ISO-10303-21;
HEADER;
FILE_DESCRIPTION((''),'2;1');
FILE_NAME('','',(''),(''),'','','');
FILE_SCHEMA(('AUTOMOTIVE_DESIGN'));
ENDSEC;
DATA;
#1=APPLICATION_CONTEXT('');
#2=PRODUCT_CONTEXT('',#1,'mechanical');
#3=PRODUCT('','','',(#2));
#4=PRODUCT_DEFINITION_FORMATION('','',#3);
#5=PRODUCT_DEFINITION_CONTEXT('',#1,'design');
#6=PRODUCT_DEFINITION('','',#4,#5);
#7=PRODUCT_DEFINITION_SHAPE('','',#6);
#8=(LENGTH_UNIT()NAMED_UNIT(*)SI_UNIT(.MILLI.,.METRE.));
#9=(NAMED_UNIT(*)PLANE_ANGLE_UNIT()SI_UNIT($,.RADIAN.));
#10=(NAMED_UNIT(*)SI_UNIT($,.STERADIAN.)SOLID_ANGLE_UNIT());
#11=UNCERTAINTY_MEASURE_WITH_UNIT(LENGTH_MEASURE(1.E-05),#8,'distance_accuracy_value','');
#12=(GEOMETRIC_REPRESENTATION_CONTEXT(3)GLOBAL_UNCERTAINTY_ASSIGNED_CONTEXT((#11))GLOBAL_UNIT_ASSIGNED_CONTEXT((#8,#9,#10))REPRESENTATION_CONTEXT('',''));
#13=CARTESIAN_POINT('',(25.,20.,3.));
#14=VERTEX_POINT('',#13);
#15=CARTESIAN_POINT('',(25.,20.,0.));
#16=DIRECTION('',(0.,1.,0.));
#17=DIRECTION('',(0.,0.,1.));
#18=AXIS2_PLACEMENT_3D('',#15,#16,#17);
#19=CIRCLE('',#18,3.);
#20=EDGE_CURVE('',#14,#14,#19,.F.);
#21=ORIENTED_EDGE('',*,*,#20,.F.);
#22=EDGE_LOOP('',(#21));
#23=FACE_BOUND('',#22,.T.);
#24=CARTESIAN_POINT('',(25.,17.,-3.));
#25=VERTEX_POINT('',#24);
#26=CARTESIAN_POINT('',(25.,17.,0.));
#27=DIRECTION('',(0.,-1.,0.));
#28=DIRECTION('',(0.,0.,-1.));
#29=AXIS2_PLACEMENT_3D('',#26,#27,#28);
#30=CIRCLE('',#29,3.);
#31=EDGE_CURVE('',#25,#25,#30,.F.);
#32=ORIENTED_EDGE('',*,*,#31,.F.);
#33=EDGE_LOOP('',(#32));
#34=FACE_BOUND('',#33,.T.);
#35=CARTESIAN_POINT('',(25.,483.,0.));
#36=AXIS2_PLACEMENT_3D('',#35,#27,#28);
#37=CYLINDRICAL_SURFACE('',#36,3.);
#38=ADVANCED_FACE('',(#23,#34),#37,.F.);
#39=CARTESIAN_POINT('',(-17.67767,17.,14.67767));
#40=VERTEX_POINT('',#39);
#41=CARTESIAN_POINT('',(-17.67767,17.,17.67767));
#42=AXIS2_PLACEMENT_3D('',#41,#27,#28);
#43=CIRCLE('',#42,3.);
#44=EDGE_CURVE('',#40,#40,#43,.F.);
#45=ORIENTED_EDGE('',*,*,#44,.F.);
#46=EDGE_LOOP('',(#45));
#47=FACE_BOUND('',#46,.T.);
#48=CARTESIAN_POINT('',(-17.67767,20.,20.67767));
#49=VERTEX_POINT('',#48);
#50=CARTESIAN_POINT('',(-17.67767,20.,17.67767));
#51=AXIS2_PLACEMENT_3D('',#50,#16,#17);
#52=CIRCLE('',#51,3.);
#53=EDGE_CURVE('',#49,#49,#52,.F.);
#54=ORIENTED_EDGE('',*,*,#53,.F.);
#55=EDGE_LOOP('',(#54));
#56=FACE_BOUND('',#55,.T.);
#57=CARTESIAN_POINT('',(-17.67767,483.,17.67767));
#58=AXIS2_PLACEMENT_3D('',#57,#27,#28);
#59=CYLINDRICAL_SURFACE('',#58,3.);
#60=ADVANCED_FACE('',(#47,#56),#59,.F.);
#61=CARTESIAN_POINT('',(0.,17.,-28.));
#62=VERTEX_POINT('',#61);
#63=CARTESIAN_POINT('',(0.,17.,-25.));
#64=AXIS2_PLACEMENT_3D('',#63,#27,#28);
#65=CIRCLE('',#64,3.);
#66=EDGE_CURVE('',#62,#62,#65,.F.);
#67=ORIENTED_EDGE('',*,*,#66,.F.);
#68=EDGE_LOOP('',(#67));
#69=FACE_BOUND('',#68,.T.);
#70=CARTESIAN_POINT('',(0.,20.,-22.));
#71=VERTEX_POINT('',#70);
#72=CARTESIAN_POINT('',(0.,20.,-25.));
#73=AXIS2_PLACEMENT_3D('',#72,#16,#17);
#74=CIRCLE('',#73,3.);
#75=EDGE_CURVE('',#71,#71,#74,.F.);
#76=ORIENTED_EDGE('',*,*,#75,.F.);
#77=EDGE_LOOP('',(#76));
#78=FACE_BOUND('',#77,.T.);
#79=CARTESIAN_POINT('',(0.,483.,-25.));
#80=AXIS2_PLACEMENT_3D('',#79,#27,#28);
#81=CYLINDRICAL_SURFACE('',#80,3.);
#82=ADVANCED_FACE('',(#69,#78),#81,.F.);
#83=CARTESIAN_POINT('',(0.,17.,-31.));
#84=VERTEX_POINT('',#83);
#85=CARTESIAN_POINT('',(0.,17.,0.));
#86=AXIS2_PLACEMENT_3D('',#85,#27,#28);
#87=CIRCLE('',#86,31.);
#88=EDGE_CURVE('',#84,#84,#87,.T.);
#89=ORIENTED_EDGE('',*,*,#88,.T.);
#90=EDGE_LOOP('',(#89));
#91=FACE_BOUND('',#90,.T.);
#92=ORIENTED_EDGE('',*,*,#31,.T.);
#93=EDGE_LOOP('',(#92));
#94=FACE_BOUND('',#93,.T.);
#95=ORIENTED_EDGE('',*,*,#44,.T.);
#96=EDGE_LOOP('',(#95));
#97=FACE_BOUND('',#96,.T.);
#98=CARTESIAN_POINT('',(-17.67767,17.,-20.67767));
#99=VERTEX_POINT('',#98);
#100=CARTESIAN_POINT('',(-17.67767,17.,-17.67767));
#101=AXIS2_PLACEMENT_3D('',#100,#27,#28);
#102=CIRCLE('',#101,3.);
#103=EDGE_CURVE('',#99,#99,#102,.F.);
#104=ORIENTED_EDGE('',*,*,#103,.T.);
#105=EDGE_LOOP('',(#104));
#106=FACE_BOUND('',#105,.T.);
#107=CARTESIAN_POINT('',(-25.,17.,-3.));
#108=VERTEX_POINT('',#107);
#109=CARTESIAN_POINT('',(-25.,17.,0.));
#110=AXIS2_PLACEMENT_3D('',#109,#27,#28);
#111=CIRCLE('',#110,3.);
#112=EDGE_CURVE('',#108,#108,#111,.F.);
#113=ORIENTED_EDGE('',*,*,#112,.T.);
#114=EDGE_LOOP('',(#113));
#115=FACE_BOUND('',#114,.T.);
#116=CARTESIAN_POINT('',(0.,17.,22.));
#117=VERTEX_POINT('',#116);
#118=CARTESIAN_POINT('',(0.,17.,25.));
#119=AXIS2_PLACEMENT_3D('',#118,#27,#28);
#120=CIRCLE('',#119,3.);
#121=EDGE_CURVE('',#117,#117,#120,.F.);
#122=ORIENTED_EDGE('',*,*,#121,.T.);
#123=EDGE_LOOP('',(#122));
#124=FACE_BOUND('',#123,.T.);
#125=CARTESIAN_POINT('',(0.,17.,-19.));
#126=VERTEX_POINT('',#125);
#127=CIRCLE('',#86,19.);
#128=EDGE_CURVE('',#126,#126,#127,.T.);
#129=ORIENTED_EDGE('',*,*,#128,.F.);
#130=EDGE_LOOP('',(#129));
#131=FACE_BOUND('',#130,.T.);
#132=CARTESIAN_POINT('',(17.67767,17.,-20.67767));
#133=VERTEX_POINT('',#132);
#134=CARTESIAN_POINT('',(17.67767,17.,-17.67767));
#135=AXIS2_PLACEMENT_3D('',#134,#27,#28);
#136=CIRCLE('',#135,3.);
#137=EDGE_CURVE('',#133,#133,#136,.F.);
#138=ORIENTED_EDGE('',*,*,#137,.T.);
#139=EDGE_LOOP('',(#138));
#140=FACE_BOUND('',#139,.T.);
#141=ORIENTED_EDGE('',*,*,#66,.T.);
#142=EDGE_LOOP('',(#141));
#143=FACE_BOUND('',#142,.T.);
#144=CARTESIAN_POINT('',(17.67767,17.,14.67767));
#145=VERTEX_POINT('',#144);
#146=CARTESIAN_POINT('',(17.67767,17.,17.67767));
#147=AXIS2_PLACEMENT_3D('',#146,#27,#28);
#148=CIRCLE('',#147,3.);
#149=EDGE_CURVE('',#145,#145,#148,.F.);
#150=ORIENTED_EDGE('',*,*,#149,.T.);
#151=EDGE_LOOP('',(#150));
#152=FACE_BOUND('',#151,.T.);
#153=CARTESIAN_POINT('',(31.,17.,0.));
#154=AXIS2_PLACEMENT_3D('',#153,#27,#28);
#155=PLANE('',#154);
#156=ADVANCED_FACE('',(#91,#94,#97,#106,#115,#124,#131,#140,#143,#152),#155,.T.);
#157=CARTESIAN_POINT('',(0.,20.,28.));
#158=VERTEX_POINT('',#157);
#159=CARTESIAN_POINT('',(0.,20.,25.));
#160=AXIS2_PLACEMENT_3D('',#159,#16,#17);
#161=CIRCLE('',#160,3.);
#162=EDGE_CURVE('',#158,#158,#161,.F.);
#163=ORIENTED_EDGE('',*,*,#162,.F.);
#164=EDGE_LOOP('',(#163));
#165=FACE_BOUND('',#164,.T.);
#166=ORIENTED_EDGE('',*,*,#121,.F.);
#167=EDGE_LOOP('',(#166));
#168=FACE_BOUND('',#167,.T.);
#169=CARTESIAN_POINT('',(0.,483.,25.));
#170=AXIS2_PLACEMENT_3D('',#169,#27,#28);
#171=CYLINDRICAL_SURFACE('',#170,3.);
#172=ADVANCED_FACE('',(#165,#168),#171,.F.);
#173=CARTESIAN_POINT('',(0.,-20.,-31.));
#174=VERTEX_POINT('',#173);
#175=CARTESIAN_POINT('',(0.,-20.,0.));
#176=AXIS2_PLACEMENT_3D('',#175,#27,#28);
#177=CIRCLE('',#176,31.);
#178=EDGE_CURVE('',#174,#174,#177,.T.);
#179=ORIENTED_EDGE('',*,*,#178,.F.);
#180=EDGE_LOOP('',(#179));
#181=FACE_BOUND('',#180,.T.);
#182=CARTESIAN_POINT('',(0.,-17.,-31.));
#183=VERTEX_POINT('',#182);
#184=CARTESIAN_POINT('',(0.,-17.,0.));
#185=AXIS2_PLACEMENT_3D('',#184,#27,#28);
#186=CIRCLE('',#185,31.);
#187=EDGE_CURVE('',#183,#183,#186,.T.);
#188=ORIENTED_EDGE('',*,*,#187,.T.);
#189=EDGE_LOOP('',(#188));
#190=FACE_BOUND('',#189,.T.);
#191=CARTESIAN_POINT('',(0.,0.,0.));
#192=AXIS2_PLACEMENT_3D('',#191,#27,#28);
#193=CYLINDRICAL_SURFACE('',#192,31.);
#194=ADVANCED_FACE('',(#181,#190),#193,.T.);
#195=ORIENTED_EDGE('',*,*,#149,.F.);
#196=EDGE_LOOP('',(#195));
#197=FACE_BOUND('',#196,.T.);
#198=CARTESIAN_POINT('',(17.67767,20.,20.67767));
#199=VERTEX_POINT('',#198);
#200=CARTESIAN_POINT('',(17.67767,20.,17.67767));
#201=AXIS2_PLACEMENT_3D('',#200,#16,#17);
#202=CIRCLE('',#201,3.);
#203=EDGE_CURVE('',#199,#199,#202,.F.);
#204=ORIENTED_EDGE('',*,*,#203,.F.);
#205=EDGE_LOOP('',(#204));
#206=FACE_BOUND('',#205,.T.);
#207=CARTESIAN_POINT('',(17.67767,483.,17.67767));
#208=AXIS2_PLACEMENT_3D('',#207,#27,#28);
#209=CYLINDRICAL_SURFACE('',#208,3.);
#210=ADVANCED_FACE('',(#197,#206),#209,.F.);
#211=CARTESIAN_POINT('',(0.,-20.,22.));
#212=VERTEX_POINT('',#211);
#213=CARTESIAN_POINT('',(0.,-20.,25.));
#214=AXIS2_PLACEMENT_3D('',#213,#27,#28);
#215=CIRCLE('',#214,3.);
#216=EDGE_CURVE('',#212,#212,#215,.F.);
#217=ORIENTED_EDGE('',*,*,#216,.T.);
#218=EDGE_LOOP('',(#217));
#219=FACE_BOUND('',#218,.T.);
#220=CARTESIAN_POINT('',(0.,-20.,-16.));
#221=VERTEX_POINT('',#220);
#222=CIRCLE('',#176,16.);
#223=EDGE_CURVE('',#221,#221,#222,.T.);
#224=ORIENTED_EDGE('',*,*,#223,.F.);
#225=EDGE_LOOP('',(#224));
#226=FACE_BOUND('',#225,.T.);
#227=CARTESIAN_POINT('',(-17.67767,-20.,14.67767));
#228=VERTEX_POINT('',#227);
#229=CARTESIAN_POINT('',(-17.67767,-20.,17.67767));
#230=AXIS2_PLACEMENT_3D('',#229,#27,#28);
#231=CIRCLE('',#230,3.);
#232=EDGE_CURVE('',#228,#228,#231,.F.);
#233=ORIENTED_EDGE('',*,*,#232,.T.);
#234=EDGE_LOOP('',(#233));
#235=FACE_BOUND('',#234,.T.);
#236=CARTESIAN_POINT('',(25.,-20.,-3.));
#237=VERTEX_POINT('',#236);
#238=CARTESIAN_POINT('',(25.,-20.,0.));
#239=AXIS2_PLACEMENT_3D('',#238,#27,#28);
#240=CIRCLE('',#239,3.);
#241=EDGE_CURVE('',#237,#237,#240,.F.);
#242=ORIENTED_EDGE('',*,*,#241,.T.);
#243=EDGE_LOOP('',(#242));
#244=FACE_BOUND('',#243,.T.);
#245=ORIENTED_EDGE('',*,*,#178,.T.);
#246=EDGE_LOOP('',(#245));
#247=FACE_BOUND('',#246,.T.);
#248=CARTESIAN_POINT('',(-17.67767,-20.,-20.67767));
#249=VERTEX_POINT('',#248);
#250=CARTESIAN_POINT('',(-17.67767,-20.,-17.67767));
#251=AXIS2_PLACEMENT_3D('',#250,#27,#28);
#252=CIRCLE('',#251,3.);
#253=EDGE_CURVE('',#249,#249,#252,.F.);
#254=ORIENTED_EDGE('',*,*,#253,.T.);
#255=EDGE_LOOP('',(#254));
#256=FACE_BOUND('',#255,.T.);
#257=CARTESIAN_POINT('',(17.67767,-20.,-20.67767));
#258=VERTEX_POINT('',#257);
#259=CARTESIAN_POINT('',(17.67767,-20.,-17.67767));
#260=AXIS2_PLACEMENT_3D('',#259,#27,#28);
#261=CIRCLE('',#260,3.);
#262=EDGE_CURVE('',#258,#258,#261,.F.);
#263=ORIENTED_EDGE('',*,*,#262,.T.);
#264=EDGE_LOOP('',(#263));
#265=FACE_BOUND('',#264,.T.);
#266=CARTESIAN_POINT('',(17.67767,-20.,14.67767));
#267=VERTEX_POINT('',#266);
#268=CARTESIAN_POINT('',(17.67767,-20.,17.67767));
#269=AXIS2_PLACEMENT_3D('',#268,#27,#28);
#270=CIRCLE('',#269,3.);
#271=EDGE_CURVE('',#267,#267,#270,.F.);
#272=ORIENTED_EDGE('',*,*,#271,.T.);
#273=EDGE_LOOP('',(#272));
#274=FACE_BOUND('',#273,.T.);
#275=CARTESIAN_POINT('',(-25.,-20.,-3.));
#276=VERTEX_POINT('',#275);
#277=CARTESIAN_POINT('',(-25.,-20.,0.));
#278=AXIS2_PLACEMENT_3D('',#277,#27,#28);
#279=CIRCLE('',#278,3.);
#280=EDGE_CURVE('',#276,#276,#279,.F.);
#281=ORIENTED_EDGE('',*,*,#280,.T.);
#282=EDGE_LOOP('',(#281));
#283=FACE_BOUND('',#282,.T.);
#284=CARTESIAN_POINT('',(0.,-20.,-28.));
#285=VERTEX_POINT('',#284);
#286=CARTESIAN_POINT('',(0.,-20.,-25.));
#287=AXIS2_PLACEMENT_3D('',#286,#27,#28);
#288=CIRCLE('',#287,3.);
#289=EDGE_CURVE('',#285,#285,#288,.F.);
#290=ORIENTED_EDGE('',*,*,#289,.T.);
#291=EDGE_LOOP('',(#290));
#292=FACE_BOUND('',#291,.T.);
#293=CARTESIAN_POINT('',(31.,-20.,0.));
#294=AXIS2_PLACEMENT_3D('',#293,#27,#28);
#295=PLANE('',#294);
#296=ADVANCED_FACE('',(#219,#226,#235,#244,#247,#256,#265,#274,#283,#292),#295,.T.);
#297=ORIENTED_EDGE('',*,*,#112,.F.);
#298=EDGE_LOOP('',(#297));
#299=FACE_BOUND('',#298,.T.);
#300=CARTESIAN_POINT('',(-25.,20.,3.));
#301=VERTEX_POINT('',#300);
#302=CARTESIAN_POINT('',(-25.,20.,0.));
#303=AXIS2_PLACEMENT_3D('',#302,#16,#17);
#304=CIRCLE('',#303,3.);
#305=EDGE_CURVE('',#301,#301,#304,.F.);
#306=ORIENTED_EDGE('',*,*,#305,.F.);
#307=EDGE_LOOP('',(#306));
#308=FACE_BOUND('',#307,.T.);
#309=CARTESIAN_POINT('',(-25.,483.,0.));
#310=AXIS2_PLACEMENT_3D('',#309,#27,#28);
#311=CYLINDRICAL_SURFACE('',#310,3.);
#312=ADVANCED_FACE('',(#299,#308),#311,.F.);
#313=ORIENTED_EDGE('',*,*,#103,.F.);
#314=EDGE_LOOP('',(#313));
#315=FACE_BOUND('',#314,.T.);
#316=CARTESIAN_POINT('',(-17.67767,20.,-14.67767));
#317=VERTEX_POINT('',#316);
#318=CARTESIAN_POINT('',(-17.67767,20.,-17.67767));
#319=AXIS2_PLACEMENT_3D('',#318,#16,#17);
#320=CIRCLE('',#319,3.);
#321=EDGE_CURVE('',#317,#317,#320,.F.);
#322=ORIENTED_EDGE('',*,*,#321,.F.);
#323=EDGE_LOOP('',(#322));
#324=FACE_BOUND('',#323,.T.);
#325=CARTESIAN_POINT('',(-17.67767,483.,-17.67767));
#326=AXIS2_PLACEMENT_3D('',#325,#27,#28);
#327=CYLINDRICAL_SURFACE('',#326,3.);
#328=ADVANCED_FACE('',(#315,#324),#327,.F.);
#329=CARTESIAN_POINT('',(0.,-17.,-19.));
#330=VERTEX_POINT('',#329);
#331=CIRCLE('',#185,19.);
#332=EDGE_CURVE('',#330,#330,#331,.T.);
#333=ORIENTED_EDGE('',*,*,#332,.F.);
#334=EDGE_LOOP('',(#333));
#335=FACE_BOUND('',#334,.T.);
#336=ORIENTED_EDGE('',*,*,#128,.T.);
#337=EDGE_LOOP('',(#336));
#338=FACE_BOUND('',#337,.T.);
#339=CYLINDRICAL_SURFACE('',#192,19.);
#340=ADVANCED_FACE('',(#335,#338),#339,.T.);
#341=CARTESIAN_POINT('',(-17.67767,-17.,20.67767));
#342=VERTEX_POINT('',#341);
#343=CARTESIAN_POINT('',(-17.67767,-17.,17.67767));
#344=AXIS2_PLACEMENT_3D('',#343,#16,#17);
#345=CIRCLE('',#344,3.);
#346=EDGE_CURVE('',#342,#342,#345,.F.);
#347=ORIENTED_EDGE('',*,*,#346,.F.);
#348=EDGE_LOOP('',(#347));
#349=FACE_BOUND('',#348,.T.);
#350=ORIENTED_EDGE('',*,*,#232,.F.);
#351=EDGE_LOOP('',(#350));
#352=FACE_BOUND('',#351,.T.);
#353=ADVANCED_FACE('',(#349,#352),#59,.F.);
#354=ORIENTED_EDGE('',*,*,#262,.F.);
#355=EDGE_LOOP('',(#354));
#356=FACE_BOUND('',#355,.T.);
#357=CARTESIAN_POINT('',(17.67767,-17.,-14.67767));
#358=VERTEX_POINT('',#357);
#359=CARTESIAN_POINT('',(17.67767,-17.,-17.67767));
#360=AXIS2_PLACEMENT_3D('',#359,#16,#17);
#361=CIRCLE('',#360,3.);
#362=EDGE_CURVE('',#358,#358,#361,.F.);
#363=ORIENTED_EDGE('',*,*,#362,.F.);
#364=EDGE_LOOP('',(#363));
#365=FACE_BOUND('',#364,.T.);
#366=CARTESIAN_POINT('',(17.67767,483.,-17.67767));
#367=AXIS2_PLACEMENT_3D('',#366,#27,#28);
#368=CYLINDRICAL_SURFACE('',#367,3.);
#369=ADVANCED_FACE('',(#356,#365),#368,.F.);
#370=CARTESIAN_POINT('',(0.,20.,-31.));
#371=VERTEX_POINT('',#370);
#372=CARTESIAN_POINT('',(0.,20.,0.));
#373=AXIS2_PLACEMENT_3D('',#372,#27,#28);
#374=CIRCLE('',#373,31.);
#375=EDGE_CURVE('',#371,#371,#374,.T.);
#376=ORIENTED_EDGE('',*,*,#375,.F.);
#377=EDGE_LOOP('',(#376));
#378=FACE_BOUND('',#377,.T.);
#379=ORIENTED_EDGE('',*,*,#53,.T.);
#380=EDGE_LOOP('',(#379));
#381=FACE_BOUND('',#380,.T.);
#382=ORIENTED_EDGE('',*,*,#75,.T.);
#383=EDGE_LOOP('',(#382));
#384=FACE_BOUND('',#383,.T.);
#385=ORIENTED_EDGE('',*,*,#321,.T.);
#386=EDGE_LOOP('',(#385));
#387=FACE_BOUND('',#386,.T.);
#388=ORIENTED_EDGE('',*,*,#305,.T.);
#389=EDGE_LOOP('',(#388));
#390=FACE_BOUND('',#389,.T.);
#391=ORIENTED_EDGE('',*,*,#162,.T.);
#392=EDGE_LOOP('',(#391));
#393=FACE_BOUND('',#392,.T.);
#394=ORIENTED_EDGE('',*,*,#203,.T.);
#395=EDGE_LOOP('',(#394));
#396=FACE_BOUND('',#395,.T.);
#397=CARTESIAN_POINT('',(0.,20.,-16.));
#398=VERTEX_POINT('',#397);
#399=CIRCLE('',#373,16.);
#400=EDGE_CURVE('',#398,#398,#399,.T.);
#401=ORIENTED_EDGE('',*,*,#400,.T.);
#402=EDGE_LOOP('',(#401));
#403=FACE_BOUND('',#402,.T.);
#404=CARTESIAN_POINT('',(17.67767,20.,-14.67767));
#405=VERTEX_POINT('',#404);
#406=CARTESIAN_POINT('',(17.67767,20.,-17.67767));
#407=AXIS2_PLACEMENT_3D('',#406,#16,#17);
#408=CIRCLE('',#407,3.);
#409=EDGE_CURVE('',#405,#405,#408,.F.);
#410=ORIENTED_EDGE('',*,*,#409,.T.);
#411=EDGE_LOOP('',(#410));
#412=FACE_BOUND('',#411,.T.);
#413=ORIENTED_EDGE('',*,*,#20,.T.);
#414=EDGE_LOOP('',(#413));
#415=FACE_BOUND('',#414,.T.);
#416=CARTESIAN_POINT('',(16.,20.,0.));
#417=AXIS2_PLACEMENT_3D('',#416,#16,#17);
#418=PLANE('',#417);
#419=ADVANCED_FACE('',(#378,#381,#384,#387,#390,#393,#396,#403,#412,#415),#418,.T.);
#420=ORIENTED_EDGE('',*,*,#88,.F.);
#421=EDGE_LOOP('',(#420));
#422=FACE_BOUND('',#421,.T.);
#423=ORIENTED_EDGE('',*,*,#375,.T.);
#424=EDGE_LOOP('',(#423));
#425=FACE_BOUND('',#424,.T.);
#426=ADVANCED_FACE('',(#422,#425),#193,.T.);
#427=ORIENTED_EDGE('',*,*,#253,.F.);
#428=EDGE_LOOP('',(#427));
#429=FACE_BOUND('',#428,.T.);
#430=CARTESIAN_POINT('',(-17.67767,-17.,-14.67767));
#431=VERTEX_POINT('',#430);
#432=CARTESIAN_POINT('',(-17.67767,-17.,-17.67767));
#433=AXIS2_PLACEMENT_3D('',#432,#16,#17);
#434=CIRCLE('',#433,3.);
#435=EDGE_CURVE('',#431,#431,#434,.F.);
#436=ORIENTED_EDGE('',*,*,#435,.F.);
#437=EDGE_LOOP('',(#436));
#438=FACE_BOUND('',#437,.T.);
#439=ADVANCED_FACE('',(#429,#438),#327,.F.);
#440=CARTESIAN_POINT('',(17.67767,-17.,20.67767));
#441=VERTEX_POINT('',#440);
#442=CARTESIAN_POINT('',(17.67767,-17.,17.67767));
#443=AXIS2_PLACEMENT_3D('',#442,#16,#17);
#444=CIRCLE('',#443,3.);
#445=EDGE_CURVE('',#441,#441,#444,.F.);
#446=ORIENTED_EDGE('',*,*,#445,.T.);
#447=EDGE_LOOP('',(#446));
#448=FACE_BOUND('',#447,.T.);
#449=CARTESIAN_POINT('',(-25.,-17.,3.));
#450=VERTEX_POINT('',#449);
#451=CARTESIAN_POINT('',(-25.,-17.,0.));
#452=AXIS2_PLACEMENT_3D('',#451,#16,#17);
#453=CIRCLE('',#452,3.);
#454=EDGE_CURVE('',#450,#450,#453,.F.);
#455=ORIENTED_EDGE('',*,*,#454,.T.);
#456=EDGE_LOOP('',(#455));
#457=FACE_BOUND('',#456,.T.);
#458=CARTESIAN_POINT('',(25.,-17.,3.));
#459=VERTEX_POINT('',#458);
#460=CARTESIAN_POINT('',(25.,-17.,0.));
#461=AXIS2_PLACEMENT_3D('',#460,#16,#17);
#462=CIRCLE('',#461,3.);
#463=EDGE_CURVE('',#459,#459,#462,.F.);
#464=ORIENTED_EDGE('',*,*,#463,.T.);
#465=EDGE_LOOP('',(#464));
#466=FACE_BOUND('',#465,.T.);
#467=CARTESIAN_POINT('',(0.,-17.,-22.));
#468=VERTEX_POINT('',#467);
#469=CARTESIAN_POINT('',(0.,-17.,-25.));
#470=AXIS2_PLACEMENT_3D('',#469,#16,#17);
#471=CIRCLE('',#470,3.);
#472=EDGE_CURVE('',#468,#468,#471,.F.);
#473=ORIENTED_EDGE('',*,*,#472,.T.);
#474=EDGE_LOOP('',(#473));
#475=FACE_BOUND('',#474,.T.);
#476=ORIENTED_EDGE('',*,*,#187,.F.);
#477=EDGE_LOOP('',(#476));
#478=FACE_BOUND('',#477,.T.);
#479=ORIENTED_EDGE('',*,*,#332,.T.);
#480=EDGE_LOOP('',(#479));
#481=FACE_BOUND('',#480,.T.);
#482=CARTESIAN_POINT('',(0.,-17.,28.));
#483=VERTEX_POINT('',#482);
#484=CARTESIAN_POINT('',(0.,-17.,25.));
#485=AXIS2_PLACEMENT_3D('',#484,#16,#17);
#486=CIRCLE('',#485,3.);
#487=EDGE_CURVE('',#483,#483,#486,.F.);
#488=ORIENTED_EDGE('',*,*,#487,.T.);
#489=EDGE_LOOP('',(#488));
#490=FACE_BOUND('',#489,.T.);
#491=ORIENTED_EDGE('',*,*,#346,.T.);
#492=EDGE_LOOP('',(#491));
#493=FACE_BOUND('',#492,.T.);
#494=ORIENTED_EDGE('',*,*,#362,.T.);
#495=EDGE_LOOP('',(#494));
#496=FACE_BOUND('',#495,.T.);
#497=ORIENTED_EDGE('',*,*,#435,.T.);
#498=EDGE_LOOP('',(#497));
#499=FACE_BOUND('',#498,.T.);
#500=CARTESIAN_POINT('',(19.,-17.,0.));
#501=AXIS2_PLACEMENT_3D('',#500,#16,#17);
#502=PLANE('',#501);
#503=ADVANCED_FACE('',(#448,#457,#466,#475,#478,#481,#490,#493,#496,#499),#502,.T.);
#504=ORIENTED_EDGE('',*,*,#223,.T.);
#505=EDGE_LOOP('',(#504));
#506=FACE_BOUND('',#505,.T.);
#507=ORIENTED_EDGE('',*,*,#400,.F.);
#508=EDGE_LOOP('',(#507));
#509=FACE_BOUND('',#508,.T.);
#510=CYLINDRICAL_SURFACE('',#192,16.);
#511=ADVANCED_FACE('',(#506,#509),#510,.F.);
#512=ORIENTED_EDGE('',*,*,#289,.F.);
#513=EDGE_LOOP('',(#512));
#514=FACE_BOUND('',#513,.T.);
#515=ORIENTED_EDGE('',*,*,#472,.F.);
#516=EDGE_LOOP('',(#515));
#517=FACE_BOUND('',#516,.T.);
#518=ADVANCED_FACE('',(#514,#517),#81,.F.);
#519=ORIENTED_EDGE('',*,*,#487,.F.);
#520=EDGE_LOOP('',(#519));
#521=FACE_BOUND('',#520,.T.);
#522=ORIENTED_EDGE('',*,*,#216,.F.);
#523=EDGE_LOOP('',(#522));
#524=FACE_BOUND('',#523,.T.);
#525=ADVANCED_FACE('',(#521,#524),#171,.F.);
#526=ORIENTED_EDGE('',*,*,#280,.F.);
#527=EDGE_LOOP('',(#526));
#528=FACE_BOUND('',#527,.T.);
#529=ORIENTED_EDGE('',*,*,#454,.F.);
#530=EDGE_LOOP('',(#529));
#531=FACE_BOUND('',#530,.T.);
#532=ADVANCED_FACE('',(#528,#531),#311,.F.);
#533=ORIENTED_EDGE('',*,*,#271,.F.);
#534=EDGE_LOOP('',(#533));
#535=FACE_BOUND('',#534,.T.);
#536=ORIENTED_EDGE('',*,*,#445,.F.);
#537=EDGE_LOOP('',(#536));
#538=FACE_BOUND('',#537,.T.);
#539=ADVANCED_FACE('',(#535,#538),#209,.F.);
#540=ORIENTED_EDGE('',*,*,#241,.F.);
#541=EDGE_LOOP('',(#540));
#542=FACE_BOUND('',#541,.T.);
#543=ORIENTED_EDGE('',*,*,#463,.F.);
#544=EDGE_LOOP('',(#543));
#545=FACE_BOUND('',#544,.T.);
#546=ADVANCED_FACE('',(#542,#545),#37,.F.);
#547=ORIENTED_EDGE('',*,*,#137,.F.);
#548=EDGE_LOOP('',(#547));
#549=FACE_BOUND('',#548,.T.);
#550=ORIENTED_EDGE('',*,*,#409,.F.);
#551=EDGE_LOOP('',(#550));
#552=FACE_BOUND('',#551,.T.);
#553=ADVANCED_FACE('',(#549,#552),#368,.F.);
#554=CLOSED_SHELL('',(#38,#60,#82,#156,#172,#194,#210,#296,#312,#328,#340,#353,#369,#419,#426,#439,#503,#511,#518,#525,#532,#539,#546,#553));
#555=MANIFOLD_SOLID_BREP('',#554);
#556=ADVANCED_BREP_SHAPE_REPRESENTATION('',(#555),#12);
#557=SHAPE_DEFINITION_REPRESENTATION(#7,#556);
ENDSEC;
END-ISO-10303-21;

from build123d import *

# Parameters (mm, degrees)
SKETCH5_R          = 3
CUT_EXTRUDE2_DEPTH = 500
CIRPATTERN2_COUNT  = 8


with BuildPart() as part:
    # Sketch4 → Revolve1 (revolve)
    with BuildSketch(Plane.XY, mode=Mode.PRIVATE) as revolve1_sk:
        Polygon((19, 17), (19, -17), (31, -17), (31, -20), (16, -20), (16, 20), (31, 20), (31, 17), align=None)
    revolve(revolve1_sk.sketch.rotate(Axis((0, 0, 0), (0, 1, 0)), 90), axis=Axis((0, 0, 0), (0, 1, 0)))

    # Sketch5 → Cut-Extrude2 (cut, symmetric)
    with BuildSketch(Plane(origin=(0, -17, 0), x_dir=(1, 0, 0), z_dir=(0, 1, 0))):
        with Locations(Location((25, 0, 0), (0, 0, 90))):
            Circle(SKETCH5_R)
    cut_extrude2 = extrude(amount=CUT_EXTRUDE2_DEPTH, both=True, mode=Mode.SUBTRACT)

    # CirPattern2: Cut-Extrude2 ×8 about axis
    cirpattern2_axis = Axis((0, 0, 0), (0, 1, 0))
    for i in range(1, CIRPATTERN2_COUNT):
        add(cut_extrude2.rotate(cirpattern2_axis, i * 360 / CIRPATTERN2_COUNT), mode=Mode.SUBTRACT)


solid = part.part
